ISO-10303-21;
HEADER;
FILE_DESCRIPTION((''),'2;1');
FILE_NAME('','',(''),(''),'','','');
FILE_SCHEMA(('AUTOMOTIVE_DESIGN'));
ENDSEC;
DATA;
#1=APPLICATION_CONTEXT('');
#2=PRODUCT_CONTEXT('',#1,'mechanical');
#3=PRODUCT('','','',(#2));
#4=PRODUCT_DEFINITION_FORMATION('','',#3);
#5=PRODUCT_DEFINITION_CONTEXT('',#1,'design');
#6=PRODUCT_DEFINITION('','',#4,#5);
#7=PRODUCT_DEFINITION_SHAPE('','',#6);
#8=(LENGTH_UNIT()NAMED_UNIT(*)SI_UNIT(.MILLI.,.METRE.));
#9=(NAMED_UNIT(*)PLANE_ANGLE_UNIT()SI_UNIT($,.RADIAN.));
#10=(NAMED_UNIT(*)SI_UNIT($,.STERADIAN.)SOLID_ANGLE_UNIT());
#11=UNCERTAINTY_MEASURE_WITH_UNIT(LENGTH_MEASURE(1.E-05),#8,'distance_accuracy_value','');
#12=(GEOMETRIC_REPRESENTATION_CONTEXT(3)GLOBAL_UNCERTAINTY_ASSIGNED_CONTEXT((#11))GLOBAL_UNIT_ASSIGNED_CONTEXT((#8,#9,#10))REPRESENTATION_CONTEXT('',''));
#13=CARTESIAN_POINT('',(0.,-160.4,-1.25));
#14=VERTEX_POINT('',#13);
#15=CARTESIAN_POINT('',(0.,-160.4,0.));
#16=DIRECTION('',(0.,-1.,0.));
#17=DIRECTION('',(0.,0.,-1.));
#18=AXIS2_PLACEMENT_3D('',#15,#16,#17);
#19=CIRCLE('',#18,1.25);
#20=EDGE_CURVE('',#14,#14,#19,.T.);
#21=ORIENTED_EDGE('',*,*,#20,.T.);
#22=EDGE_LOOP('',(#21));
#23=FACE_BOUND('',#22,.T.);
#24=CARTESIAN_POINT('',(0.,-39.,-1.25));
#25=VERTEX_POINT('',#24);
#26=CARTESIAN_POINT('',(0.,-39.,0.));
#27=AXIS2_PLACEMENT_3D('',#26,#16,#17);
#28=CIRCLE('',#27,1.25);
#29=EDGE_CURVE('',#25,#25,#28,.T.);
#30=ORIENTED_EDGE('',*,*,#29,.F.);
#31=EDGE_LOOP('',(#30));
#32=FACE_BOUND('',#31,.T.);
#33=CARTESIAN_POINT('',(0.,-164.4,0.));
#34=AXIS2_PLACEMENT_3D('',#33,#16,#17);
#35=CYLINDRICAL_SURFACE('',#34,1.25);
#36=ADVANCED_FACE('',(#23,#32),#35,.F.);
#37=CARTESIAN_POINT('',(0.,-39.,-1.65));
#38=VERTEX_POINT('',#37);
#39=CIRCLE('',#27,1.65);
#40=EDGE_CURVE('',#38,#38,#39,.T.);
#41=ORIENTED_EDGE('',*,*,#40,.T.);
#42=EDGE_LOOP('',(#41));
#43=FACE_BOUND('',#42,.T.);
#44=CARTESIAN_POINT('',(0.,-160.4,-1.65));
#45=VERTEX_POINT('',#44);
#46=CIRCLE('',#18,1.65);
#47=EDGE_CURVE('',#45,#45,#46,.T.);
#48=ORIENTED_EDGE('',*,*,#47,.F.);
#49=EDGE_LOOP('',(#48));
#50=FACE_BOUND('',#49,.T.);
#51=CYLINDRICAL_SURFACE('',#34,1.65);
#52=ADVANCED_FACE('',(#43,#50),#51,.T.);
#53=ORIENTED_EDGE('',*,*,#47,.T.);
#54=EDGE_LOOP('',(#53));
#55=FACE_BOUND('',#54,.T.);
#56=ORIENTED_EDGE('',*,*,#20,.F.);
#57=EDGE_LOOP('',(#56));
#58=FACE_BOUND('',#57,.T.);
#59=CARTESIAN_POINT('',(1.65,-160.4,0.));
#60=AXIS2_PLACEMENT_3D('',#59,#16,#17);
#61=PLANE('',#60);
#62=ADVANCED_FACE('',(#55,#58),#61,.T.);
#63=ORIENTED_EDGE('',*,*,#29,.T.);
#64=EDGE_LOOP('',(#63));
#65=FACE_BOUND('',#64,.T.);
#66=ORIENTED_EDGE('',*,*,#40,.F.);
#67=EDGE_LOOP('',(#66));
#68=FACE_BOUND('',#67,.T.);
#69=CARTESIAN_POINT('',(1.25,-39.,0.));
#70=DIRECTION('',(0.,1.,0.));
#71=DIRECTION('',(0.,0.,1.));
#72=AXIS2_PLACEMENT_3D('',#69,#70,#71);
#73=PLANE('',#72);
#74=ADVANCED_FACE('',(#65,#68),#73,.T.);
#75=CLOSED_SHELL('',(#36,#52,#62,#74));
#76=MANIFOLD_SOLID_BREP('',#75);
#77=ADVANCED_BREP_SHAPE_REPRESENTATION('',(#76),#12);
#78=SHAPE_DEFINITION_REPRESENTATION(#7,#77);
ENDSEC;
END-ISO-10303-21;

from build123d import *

# Parameters (mm, degrees)
SKETCH1_W = 0.4
SKETCH1_H = 121.4


with BuildPart() as part:
    # Sketch1 → Funda_PTFE (revolve)
    with BuildSketch(Plane.XY, mode=Mode.PRIVATE) as funda_ptfe_sk:
        with Locations((1.45, -99.7)):
            Rectangle(SKETCH1_W, SKETCH1_H)
    revolve(funda_ptfe_sk.sketch.rotate(Axis((0, -164.4, 0), (0, 1, 0)), 90), axis=Axis((0, -164.4, 0), (0, 1, 0)))


solid = part.part
